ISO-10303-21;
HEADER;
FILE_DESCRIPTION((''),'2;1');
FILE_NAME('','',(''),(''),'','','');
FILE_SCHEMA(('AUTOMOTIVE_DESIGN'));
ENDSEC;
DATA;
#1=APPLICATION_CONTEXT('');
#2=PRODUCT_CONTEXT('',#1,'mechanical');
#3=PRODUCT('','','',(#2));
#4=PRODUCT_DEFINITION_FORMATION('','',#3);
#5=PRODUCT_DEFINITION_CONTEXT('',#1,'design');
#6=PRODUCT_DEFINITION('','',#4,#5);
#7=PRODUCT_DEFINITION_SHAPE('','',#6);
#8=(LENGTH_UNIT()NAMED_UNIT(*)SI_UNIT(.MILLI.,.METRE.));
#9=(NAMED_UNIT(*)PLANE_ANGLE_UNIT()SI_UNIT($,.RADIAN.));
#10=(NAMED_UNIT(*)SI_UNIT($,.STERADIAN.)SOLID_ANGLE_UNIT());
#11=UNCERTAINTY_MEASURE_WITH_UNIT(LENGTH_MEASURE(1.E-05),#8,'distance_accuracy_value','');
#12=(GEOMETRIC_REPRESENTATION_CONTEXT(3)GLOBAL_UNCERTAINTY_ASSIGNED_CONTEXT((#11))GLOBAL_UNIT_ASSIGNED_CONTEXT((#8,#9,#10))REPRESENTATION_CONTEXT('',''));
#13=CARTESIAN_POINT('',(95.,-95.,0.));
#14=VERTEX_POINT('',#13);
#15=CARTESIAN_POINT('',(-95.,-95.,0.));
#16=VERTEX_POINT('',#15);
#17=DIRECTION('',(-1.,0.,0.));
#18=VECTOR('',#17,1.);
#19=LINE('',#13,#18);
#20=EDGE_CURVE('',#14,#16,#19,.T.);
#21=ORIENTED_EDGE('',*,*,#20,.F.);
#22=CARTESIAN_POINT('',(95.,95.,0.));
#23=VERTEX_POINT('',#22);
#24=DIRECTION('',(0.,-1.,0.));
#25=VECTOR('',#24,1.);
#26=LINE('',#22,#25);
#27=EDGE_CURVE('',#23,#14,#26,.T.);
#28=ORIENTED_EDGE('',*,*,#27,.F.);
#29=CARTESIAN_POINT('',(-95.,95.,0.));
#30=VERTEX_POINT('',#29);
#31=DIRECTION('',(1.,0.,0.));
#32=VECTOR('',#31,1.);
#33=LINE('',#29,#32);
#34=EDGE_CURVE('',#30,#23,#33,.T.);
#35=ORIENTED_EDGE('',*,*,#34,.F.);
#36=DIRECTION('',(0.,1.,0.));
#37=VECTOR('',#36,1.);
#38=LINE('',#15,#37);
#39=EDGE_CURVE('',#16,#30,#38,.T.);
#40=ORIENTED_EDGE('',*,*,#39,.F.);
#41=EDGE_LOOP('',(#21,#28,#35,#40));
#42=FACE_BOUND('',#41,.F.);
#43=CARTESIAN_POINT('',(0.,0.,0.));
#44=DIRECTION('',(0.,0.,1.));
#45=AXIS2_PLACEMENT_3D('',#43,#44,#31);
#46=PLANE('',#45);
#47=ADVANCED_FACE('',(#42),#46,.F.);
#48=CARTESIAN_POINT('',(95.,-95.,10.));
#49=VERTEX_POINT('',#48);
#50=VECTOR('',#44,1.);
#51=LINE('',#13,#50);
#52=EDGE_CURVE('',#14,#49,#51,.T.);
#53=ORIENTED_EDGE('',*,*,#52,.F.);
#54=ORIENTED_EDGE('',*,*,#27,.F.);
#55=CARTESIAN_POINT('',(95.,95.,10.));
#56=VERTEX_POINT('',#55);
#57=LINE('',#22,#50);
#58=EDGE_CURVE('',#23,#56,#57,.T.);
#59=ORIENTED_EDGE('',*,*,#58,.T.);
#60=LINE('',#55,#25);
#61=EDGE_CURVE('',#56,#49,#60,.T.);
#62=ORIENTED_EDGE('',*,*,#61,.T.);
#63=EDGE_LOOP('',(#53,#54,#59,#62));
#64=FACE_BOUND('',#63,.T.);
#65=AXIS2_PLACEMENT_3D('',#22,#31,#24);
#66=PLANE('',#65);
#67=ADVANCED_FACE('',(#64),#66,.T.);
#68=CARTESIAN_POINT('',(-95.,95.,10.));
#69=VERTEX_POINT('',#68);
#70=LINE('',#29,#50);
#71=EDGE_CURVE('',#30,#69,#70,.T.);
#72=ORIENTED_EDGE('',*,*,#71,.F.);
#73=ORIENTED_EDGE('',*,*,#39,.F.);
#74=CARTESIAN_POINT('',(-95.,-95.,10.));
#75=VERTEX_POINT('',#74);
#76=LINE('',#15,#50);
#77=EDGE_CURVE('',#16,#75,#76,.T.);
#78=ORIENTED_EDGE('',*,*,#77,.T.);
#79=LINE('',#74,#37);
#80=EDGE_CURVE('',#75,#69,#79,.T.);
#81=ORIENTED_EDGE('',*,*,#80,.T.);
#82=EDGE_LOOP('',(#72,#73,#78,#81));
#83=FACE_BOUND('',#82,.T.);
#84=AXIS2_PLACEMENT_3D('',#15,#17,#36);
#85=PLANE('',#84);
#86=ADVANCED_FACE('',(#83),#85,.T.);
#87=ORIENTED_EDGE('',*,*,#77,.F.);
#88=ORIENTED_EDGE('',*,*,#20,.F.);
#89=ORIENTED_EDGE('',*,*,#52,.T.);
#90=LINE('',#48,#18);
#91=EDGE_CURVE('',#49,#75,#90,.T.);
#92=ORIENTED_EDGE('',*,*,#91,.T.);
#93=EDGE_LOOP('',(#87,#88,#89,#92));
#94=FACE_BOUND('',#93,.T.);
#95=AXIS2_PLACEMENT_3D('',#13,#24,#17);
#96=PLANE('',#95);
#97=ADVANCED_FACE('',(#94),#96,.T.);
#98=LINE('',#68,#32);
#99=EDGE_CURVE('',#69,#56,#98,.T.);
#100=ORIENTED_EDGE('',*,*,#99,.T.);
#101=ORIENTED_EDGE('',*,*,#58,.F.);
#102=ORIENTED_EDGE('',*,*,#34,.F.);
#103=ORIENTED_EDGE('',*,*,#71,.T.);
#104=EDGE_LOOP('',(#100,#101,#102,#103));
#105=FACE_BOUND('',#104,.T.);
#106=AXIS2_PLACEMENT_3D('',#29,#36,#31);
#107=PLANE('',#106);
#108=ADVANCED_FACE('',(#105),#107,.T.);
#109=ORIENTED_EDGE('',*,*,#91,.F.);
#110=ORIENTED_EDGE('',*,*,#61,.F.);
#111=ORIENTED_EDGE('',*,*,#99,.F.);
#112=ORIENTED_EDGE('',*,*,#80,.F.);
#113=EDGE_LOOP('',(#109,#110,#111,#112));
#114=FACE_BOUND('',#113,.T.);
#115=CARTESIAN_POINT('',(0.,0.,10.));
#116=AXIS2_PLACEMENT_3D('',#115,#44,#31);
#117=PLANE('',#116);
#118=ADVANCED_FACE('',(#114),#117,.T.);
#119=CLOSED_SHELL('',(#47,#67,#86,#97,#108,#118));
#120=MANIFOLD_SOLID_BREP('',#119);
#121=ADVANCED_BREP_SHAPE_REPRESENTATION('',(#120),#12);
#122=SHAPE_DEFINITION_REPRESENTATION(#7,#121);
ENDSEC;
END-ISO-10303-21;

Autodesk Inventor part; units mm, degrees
sketch "Sketch2" plane through (0, 0, 0) normal (0, 0, 1) x (1, 0, 0)
  line L0 (95, -95) -> (-95, -95)
  line L1 (-95, -95) -> (-95, 95)
  line L2 (-95, 95) -> (95, 95)
  line L3 (95, 95) -> (95, -95)
  line L4 (95, -95) -> (-95, 95) construction
  line L5 (-95, -95) -> (95, 95) construction
  point P0 (0, 0)
  dimension "d0" = 190
  dimension "d1" = 190
extrude "Extrusion1" add sketch "Sketch2" along normal blind 10
properties part number "P027_SurSocle_Boitier"
